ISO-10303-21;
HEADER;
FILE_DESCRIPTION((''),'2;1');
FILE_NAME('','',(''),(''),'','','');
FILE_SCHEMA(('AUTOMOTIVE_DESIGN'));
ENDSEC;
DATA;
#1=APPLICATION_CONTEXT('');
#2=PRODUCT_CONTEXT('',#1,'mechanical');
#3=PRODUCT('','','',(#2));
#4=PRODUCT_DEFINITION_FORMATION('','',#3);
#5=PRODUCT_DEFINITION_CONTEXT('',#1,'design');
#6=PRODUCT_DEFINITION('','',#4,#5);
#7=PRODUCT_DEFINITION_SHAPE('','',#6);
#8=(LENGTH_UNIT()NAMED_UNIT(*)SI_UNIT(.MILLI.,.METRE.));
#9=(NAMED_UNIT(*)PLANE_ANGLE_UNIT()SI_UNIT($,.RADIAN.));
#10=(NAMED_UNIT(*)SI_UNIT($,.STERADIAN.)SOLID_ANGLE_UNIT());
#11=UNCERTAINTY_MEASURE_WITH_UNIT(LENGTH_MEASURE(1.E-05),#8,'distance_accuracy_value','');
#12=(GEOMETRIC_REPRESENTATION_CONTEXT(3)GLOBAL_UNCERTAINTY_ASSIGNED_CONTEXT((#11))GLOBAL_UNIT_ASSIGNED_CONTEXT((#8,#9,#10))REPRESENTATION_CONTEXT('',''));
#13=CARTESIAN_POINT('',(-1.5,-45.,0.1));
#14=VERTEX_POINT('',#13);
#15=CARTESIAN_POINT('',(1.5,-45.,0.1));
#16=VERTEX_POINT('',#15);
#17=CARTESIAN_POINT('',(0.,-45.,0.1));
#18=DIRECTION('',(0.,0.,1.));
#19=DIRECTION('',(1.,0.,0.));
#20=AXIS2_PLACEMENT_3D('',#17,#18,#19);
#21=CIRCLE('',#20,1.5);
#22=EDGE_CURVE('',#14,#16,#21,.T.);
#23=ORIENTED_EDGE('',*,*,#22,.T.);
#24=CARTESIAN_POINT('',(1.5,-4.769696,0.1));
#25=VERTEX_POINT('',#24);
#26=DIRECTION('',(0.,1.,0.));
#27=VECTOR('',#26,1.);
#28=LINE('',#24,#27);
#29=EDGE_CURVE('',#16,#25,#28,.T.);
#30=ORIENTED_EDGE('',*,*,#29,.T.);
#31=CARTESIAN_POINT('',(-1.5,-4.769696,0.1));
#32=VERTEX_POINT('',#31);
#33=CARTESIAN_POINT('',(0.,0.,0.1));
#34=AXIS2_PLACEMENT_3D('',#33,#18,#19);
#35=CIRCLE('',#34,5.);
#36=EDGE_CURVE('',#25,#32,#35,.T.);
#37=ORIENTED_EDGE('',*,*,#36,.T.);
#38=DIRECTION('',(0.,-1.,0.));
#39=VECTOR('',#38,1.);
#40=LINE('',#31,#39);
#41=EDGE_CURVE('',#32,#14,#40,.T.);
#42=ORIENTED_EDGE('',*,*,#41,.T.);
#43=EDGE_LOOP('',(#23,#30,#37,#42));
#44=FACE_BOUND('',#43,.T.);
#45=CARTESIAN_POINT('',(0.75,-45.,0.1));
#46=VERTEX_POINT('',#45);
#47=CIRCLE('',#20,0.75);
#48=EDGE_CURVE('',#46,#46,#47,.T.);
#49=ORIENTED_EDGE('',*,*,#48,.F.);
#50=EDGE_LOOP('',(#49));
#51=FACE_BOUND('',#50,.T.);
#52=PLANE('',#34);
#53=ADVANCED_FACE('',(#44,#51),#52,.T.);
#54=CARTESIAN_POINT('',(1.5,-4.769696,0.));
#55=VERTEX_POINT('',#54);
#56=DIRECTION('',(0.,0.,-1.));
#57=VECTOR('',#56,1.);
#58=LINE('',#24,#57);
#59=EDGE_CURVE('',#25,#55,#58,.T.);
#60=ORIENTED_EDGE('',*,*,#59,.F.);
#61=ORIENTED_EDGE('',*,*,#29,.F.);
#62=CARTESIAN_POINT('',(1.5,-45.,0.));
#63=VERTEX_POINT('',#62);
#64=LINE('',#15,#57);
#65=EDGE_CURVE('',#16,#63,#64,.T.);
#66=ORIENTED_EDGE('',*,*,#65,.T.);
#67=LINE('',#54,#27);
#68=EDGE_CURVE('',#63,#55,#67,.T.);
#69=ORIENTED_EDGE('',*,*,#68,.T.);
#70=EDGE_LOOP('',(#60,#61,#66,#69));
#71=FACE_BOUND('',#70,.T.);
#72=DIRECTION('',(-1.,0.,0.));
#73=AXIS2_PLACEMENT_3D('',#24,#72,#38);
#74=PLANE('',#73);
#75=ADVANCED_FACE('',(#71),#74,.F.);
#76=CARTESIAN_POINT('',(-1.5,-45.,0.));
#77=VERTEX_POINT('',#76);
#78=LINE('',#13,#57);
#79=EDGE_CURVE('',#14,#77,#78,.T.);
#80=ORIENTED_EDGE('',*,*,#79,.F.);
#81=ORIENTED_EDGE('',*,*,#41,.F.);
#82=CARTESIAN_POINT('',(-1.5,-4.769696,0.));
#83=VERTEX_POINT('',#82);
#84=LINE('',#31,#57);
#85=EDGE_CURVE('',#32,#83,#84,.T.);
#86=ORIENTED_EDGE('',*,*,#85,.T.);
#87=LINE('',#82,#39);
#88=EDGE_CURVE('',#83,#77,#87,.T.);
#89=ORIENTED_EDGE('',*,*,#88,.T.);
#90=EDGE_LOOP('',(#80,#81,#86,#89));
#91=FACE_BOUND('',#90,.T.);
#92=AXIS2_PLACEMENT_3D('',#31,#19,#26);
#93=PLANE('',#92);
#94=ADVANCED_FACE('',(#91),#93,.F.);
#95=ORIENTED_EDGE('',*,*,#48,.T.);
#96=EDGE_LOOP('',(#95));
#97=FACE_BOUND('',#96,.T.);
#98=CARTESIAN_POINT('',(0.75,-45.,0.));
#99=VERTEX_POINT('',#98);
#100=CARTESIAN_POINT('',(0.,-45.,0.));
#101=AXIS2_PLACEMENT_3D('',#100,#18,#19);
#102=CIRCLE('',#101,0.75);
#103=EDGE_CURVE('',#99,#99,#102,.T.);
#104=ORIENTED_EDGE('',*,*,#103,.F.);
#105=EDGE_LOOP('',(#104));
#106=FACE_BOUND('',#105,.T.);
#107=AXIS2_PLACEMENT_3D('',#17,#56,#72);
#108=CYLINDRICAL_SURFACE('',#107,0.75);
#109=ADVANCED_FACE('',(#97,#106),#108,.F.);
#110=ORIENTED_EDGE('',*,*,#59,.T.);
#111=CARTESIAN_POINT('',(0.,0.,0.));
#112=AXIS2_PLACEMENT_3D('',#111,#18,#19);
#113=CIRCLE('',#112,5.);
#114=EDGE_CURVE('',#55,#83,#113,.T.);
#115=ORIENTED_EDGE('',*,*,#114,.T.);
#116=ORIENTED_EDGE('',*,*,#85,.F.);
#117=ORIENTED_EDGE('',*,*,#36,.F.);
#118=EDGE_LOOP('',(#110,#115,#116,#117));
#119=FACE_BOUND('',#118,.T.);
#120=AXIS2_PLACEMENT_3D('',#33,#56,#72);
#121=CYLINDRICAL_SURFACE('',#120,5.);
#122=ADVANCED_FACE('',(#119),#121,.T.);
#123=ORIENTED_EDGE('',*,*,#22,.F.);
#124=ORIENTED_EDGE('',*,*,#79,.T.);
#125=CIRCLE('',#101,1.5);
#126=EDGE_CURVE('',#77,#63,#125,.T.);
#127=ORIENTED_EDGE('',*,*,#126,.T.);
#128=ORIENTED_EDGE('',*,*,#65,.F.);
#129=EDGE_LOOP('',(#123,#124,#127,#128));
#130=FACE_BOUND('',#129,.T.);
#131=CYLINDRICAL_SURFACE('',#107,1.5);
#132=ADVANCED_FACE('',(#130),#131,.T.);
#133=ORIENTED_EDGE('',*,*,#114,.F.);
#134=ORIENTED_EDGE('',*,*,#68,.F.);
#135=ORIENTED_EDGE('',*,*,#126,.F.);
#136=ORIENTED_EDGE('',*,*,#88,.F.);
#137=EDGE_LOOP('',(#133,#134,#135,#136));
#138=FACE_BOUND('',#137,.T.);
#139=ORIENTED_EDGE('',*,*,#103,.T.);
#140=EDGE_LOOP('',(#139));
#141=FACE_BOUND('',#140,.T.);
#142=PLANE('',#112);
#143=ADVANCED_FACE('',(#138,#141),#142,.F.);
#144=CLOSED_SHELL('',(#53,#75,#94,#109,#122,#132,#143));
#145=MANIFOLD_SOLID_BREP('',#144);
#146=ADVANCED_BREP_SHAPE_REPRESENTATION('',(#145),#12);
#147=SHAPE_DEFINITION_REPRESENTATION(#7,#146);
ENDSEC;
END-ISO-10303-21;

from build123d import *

# Parameters (mm, degrees)
SKETCH_1_R      = 0.75
EXTRUDE_1_DEPTH = 0.1


with BuildPart() as part:
    # 草图1 → 凸台-拉伸1 (new body)
    with BuildSketch(Plane.XY):
        with BuildLine():
            Line((1.5, -4.769696007), (1.5, -45))
            ThreePointArc((1.5, -45), (0, -46.5), (-1.5, -45))
            Line((-1.5, -45), (-1.5, -4.769696007))
            ThreePointArc((-1.5, -4.769696007), (0, 5), (1.5, -4.769696007))
        make_face()
        with Locations((0, -45)):
            Circle(SKETCH_1_R, mode=Mode.SUBTRACT)
    extrude(amount=EXTRUDE_1_DEPTH)


solid = part.part
